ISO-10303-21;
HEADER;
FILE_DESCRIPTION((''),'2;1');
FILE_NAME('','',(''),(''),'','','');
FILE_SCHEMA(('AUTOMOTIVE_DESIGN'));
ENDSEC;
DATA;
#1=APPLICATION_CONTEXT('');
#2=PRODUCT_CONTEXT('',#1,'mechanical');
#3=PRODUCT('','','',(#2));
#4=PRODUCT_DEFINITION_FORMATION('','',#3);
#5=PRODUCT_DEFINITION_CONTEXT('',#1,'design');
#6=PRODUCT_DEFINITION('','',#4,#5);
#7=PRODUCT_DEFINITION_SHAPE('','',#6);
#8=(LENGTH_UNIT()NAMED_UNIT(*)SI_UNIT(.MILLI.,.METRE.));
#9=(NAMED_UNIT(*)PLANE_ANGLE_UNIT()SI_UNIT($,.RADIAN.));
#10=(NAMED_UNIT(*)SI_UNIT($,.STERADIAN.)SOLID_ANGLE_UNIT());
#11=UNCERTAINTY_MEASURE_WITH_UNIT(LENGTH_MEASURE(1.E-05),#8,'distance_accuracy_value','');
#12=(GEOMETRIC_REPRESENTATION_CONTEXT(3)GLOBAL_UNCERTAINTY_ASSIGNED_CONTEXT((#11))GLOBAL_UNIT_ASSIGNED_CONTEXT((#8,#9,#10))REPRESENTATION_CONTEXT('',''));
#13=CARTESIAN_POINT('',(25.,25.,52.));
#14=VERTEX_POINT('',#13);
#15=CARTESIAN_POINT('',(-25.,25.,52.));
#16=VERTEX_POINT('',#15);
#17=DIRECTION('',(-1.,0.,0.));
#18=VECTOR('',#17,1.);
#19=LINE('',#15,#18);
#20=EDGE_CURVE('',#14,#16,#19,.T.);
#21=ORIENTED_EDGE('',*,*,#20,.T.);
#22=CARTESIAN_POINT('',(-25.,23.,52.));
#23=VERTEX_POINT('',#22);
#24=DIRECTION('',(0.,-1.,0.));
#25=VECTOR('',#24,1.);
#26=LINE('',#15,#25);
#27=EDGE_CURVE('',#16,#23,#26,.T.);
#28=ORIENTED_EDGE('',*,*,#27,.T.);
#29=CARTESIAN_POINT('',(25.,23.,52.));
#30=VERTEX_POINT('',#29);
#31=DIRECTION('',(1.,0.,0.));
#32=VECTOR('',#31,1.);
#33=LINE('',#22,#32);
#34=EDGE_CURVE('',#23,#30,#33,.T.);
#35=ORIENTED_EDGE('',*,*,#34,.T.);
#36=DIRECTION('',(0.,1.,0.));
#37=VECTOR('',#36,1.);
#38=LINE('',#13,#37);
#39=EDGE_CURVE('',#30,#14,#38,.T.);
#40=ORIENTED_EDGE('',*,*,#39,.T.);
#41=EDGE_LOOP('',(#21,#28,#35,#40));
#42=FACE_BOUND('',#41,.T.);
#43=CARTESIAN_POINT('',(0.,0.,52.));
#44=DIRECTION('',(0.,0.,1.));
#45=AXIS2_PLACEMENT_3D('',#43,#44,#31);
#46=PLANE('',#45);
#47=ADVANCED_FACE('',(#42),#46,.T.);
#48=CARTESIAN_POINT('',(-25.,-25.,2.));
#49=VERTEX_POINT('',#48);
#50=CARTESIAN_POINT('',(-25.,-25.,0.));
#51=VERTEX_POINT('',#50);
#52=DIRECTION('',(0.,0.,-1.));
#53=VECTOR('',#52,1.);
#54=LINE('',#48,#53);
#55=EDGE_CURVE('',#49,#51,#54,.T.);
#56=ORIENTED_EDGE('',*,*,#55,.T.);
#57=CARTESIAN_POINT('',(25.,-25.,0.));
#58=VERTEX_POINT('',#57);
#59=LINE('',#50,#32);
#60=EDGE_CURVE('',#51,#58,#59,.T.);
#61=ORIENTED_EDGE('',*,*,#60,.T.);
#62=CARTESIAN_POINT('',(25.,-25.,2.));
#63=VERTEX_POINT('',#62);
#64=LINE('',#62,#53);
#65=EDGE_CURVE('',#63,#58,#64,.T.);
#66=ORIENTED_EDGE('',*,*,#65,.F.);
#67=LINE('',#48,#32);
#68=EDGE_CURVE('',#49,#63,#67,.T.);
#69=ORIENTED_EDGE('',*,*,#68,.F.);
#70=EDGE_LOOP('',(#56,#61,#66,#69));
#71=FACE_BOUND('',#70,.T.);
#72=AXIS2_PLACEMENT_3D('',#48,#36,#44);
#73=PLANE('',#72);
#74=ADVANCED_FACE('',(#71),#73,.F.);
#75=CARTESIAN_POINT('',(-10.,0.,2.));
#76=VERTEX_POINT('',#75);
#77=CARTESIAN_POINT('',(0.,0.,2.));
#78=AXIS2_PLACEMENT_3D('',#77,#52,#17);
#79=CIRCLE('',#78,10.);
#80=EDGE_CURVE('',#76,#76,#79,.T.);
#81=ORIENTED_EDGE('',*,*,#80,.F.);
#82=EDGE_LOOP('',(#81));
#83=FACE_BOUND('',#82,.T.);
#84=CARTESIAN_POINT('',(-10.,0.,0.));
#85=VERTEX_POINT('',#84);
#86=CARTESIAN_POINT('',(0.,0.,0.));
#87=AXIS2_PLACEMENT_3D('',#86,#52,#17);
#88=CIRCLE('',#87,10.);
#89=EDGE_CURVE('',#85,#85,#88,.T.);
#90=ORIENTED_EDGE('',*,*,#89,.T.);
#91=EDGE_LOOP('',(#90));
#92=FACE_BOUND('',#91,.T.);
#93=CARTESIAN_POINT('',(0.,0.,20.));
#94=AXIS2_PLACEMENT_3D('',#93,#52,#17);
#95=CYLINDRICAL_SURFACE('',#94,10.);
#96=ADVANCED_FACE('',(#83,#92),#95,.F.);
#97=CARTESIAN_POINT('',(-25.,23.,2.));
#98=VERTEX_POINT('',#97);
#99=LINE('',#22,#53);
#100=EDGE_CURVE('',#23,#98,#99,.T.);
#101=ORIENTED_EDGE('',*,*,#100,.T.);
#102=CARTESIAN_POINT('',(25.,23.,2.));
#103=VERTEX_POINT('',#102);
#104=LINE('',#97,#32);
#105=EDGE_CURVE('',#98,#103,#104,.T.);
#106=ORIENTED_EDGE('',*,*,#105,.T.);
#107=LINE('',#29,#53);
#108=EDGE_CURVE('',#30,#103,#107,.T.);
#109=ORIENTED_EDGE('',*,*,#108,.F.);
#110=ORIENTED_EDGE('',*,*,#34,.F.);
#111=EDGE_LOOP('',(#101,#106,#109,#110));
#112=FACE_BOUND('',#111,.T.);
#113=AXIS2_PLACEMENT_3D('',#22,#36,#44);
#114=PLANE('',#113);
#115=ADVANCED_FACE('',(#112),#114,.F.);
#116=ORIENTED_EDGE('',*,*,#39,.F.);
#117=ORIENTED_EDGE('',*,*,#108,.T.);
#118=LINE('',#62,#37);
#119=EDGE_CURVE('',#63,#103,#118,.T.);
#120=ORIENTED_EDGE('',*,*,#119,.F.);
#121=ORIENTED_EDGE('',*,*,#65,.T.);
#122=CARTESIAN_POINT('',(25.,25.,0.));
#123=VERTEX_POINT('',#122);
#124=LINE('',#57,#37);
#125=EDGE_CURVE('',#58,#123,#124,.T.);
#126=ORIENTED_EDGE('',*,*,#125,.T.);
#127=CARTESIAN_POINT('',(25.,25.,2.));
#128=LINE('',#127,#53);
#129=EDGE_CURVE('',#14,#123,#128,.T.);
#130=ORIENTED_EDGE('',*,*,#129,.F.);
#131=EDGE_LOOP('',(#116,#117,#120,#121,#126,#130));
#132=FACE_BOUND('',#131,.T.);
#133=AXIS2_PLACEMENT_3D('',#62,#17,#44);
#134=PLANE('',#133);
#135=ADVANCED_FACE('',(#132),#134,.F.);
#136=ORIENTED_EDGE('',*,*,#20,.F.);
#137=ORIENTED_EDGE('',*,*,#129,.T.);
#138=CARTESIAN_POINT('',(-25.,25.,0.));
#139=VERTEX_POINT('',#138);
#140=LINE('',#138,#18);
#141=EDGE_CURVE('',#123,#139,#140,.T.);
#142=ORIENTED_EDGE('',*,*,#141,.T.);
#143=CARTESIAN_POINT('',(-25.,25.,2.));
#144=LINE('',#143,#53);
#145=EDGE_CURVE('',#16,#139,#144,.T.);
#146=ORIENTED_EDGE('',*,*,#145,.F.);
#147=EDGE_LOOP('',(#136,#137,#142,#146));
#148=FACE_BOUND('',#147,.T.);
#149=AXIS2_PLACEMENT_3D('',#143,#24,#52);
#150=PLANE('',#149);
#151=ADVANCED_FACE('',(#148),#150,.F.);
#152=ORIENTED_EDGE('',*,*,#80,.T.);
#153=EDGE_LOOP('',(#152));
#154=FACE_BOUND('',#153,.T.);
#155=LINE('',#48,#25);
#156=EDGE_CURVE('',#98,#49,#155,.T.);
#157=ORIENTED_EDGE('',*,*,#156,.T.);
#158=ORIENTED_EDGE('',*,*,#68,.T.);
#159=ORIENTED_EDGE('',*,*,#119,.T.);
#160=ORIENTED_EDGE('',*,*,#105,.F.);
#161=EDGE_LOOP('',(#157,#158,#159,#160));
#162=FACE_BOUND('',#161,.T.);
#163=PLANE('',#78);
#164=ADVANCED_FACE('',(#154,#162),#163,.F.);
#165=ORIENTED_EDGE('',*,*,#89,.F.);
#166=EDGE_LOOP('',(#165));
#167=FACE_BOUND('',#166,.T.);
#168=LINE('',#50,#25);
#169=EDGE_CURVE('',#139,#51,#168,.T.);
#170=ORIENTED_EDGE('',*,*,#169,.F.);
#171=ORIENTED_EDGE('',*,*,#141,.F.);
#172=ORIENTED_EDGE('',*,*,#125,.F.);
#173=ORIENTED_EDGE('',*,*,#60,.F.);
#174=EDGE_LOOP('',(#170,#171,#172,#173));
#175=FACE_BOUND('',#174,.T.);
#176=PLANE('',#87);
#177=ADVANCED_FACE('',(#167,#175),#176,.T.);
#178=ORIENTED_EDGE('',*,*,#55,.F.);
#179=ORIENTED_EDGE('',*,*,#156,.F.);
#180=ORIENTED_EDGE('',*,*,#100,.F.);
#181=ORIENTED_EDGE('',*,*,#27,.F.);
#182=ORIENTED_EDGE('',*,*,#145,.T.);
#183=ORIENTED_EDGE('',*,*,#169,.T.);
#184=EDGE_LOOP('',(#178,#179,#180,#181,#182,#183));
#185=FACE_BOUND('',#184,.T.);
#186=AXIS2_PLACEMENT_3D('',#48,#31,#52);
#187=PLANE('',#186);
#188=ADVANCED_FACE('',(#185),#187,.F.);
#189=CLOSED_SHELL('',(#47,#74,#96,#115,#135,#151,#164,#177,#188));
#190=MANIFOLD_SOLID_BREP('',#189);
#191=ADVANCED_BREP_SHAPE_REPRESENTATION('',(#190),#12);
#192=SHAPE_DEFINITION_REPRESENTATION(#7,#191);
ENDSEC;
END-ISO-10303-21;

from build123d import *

# Parameters (mm, degrees)
SKETCH1_W           = 50
SKETCH1_H           = 50
BOSS_EXTRUDE1_DEPTH = 2
SKETCH2_W           = 50
SKETCH2_H           = 2
BOSS_EXTRUDE2_DEPTH = 50
SKETCH3_R           = 10
CUT_EXTRUDE2_DEPTH  = 20


with BuildPart() as part:
    # Sketch1 → Boss-Extrude1 (new body)
    with BuildSketch(Plane.XY):
        Rectangle(SKETCH1_W, SKETCH1_H)
    extrude(amount=BOSS_EXTRUDE1_DEPTH)

    # Sketch2 → Boss-Extrude2 (add)
    with BuildSketch(Plane.XY.offset(2)):
        with Locations((0, 24)):
            Rectangle(SKETCH2_W, SKETCH2_H)
    extrude(amount=BOSS_EXTRUDE2_DEPTH)

    # Sketch3 → Cut-Extrude2 (cut)
    with BuildSketch(Plane(origin=(0, 0, 0), x_dir=(-1, 0, 0), z_dir=(0, 0, -1))):
        Circle(SKETCH3_R)
    extrude(amount=-CUT_EXTRUDE2_DEPTH, mode=Mode.SUBTRACT)


solid = part.part
